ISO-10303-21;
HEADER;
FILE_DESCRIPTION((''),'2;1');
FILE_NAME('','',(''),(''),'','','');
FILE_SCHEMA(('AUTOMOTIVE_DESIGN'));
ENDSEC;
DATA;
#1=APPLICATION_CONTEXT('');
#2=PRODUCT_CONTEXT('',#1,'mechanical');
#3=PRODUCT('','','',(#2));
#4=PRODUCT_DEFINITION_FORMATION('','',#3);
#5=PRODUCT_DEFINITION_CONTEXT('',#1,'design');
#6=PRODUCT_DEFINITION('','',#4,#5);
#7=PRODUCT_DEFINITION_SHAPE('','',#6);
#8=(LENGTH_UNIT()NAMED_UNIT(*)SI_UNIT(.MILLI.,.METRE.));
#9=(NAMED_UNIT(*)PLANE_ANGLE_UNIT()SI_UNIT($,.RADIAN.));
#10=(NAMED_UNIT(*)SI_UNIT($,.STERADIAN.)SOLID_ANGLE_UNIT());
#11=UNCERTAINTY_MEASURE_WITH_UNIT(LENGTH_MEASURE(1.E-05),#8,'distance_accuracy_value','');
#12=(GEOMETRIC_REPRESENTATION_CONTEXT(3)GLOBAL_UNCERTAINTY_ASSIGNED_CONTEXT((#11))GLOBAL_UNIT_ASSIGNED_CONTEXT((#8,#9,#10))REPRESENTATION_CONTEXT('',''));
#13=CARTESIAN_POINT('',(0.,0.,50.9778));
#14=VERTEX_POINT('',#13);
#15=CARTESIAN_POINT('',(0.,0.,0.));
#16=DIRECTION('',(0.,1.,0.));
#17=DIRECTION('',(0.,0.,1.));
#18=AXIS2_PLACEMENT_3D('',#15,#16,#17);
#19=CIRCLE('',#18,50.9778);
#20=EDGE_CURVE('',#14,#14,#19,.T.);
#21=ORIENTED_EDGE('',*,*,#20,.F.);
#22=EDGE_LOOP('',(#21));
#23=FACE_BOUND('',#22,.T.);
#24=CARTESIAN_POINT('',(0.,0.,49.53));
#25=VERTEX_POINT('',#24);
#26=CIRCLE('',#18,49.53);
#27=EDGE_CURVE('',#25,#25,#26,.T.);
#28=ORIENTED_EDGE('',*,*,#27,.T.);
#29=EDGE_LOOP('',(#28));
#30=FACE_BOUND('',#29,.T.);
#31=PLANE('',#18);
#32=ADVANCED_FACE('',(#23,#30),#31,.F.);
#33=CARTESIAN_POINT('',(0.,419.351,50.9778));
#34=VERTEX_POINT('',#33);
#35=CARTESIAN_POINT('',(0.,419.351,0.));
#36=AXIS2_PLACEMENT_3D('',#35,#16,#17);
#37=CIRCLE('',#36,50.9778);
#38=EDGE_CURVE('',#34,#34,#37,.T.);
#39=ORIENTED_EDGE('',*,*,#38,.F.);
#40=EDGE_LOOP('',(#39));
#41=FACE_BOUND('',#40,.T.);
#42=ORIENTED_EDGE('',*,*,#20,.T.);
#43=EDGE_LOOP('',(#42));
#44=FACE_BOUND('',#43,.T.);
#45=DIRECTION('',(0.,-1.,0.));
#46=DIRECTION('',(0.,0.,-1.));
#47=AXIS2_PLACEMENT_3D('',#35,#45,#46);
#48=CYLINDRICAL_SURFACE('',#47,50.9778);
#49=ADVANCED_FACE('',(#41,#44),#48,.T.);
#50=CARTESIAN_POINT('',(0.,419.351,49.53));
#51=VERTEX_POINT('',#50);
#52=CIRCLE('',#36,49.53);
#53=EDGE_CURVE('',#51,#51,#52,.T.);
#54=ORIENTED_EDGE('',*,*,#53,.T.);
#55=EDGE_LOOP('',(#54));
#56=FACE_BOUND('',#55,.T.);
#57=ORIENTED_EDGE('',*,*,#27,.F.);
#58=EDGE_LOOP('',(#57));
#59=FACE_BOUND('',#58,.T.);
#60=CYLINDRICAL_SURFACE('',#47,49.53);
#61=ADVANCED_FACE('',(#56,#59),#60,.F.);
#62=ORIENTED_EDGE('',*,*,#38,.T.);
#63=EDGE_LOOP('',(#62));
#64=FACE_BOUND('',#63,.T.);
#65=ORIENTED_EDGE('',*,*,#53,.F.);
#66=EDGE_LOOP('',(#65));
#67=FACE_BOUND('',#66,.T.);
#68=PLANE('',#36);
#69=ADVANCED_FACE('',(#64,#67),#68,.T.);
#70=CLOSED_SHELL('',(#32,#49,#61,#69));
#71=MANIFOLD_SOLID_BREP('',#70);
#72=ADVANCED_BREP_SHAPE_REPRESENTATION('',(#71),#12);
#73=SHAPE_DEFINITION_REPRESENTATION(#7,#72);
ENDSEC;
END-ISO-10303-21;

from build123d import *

# Parameters (mm, degrees)
MOTOR_MOUNT_PROFILE_SKETCH_R   = 50.9778
MOTOR_MOUNT_PROFILE_SKETCH_R_2 = 49.53
MOTOR_MOUNT_BODY_DEPTH         = 419.351


with BuildPart() as part:
    # Motor Mount Profile Sketch → Motor Mount Body (new body)
    with BuildSketch(Plane(origin=(0, 0, 0), x_dir=(1, 0, 0), z_dir=(0, 1, 0))):
        Circle(MOTOR_MOUNT_PROFILE_SKETCH_R)
        Circle(MOTOR_MOUNT_PROFILE_SKETCH_R_2, mode=Mode.SUBTRACT)
    extrude(amount=MOTOR_MOUNT_BODY_DEPTH)


solid = part.part
